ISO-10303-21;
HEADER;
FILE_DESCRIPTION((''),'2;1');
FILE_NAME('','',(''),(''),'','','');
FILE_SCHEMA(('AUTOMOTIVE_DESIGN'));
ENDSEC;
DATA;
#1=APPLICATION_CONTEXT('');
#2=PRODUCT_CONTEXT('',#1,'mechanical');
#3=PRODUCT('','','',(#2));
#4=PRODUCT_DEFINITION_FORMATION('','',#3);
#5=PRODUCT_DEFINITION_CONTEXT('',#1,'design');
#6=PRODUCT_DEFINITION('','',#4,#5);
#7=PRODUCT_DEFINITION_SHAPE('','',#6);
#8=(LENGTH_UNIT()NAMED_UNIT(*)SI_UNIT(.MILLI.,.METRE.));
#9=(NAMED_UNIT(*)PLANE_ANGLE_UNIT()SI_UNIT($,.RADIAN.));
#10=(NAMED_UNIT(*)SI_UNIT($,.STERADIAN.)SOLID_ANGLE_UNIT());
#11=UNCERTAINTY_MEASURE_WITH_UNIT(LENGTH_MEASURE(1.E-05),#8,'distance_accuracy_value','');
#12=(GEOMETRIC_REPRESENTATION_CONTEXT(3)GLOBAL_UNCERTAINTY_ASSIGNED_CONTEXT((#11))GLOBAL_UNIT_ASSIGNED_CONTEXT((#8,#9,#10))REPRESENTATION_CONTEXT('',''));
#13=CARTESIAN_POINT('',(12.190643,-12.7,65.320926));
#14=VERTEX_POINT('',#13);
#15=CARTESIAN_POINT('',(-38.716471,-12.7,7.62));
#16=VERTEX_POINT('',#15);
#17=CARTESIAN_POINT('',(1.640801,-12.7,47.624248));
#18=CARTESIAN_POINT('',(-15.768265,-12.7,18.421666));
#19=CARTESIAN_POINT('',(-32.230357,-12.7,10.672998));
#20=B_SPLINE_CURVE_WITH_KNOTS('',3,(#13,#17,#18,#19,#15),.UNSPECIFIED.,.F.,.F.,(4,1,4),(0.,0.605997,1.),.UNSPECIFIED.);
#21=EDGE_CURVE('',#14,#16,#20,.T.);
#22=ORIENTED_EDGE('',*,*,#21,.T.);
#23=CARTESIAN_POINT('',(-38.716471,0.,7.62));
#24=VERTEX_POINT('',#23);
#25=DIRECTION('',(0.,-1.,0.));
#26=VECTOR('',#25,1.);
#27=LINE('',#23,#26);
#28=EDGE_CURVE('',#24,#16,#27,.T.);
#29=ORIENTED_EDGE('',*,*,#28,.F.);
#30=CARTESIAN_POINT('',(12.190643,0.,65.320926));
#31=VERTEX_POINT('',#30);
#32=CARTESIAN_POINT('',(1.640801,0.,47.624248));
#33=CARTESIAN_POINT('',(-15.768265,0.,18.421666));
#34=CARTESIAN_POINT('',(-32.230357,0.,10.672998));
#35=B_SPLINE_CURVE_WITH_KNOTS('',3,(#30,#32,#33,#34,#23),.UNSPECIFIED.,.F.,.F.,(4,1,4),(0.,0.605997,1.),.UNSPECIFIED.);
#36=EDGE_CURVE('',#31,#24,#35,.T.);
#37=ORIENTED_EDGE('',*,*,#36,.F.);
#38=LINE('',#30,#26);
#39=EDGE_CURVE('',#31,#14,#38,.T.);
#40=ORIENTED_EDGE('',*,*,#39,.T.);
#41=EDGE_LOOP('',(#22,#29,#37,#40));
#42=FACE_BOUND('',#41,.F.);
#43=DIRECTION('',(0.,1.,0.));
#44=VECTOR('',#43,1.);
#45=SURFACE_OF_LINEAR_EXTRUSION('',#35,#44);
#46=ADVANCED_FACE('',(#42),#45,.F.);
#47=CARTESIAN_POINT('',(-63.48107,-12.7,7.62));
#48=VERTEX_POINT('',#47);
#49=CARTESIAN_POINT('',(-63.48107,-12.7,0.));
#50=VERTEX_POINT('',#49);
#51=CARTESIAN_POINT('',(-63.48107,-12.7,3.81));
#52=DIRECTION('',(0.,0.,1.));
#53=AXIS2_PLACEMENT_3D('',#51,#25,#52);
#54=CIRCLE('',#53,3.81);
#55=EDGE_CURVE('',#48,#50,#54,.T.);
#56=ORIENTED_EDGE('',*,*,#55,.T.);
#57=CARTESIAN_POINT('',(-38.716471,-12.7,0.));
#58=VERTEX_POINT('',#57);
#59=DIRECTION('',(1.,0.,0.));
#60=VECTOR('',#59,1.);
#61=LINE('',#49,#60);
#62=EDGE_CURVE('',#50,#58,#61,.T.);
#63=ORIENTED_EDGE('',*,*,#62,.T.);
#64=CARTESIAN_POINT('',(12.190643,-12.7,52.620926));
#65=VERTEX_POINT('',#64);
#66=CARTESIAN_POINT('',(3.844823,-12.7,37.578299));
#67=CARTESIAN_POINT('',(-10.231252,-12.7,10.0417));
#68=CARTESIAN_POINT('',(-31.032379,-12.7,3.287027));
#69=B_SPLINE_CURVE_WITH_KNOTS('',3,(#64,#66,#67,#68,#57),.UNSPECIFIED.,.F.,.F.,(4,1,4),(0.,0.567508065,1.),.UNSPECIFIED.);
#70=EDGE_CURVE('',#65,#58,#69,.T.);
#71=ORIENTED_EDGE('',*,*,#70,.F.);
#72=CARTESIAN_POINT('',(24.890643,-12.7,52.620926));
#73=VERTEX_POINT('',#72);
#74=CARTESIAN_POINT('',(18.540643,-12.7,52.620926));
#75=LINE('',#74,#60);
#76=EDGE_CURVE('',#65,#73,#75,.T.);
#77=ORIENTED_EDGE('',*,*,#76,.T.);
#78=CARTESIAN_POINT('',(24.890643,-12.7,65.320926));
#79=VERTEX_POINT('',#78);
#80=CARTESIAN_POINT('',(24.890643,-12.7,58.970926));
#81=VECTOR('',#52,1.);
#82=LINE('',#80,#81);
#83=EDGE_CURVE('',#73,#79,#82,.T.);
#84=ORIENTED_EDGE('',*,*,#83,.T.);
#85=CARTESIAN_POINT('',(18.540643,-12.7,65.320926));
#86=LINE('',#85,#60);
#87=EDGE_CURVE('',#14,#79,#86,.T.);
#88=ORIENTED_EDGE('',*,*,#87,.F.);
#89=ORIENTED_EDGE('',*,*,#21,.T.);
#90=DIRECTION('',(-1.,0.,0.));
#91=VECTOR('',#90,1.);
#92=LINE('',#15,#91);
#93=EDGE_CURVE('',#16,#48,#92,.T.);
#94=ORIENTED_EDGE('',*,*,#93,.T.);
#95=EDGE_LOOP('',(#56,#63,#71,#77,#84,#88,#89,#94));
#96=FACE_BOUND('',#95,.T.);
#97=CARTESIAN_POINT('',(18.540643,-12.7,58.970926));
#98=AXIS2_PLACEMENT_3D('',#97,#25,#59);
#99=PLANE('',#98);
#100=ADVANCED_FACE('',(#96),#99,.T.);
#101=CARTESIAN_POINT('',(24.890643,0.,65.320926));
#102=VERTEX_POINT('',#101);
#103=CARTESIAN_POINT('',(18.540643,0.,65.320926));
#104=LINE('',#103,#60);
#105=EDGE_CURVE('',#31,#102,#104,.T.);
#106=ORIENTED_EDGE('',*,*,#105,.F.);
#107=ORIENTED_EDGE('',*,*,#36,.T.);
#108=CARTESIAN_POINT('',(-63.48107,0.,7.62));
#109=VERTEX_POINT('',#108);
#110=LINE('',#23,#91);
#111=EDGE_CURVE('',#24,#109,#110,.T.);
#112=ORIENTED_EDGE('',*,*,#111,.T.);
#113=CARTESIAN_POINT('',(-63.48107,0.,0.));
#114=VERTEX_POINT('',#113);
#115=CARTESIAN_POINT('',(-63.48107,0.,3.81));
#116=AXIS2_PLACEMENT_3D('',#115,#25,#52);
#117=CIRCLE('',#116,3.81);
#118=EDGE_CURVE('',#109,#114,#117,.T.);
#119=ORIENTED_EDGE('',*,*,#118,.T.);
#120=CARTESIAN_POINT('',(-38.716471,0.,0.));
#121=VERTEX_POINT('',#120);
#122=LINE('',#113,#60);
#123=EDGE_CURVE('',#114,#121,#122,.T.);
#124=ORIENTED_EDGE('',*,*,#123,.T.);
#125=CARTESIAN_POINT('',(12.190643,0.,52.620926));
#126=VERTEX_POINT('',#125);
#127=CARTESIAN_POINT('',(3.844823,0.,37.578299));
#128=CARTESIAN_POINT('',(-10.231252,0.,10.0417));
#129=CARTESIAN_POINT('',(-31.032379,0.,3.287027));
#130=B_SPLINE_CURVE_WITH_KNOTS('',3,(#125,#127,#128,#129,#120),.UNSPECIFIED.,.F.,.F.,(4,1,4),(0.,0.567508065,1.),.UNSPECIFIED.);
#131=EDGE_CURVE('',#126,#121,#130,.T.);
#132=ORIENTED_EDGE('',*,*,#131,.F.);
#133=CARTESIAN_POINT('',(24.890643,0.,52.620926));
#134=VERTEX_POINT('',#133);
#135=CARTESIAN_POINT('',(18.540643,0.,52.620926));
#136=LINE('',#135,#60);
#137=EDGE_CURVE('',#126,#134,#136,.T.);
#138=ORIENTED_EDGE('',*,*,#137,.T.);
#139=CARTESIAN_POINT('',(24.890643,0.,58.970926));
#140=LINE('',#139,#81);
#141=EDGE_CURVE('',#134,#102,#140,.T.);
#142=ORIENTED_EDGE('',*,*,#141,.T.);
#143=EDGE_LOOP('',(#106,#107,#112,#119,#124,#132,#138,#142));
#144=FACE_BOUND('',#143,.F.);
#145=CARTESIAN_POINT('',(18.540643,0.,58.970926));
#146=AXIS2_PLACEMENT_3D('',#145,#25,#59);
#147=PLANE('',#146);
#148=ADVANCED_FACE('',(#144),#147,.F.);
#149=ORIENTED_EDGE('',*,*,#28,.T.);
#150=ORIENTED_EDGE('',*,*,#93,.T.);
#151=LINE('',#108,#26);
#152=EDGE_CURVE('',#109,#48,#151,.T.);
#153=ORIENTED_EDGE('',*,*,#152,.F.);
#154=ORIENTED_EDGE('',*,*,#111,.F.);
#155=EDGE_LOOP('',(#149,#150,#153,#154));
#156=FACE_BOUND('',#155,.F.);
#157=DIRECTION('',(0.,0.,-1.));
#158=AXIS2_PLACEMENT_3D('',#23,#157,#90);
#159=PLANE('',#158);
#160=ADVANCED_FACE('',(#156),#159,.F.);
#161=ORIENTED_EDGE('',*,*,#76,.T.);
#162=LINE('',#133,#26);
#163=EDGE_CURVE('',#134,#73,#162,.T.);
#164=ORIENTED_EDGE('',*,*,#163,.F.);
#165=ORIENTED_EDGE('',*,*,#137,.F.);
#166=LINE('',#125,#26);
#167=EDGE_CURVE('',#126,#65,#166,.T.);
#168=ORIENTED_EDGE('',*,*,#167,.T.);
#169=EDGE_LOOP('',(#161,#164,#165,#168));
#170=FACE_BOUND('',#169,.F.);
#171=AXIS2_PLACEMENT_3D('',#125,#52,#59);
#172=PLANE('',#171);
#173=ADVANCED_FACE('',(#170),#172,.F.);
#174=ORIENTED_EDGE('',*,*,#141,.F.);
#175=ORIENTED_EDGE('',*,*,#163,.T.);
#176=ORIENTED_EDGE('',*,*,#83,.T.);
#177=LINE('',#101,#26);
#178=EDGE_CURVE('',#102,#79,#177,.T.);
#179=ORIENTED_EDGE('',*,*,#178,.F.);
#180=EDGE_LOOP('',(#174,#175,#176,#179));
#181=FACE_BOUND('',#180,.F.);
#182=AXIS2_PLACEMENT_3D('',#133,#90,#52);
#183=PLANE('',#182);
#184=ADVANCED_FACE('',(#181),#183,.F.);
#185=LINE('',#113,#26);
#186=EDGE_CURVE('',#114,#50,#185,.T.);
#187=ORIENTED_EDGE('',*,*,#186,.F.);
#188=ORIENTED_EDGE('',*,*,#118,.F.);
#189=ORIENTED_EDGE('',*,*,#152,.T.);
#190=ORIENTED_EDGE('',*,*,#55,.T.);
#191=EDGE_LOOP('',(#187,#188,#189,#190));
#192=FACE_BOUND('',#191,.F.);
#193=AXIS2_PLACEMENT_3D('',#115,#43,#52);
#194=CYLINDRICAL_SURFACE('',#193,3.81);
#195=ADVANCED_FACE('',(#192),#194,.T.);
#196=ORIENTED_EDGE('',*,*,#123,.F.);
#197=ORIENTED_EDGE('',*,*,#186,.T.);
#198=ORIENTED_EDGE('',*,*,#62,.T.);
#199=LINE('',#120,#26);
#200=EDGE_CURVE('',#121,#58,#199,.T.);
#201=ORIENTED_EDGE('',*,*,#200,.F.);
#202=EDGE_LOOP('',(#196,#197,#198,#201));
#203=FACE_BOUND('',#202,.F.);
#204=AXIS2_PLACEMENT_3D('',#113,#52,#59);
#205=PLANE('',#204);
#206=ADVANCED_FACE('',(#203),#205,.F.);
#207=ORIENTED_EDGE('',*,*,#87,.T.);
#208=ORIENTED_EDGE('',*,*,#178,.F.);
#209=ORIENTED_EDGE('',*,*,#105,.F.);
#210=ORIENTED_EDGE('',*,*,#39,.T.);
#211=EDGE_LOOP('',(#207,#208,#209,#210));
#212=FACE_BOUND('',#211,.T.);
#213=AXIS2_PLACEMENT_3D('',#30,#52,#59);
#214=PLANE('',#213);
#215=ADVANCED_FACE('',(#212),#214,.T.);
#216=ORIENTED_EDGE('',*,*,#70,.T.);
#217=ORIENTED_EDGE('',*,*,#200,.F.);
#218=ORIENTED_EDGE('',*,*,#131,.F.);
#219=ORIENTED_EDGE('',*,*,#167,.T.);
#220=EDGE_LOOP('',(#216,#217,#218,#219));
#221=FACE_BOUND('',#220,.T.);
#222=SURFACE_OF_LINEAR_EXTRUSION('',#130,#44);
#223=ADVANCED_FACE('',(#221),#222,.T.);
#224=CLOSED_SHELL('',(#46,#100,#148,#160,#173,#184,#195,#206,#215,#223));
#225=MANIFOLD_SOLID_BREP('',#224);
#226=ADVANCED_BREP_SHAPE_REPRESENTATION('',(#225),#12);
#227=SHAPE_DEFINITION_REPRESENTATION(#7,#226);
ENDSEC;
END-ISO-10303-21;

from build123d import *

# Parameters (mm, degrees)
F0_W     = 12.7
F0_H     = 12.7
F1_DEPTH = 12.7
F2_DEPTH = 12.7


with BuildPart() as f1:
    # F0 (on Front) → F1 (new body)
    with BuildSketch(Plane.XZ):
        with Locations((18.5406431556, 58.970926)):
            Rectangle(F0_W, F0_H)
        with BuildLine():
            Line((12.1906431556, 52.620926), (12.1906431556, 65.320926))
            add(Edge.make_bspline(
                [(12.1906431556, 65.320926), (1.6408012652, 47.6242484273), (-15.7682649232, 18.4216656416), (-32.2303568983, 10.6729982106), (-38.7164705157, 7.62)],
                knots=[0, 0, 0, 0, 0.6059970004, 1, 1, 1, 1], degree=3))
            Line((-38.7164705157, 7.62), (-63.4810701013, 7.62))
            ThreePointArc((-63.4810701013, 7.62), (-67.2910701013, 3.81), (-63.4810701013, 0))
            Line((-63.4810701013, 0), (-38.7164705157, 0))
            add(Edge.make_bspline(
                [(12.1906431556, 52.620926), (3.8448232521, 37.5782991027), (-10.2312518477, 10.0416995234), (-31.0323794757, 3.2870267288), (-38.7164705157, 0)],
                knots=[0, 0, 0, 0, 0.5675080648, 1, 1, 1, 1], degree=3))
        make_face()
    extrude(amount=F1_DEPTH)

    # F0 (on Front) → F2 (join)
    with BuildSketch(Plane.XZ):
        with Locations((18.5406431556, 58.970926)):
            Rectangle(F0_W, F0_H)
        with BuildLine():
            Line((12.1906431556, 52.620926), (12.1906431556, 65.320926))
            add(Edge.make_bspline(
                [(12.1906431556, 65.320926), (1.6408012652, 47.6242484273), (-15.7682649232, 18.4216656416), (-32.2303568983, 10.6729982106), (-38.7164705157, 7.62)],
                knots=[0, 0, 0, 0, 0.6059970004, 1, 1, 1, 1], degree=3))
            Line((-38.7164705157, 7.62), (-63.4810701013, 7.62))
            ThreePointArc((-63.4810701013, 7.62), (-67.2910701013, 3.81), (-63.4810701013, 0))
            Line((-63.4810701013, 0), (-38.7164705157, 0))
            add(Edge.make_bspline(
                [(12.1906431556, 52.620926), (3.8448232521, 37.5782991027), (-10.2312518477, 10.0416995234), (-31.0323794757, 3.2870267288), (-38.7164705157, 0)],
                knots=[0, 0, 0, 0, 0.5675080648, 1, 1, 1, 1], degree=3))
        make_face()
    extrude(amount=F2_DEPTH)


solid = f1.part
